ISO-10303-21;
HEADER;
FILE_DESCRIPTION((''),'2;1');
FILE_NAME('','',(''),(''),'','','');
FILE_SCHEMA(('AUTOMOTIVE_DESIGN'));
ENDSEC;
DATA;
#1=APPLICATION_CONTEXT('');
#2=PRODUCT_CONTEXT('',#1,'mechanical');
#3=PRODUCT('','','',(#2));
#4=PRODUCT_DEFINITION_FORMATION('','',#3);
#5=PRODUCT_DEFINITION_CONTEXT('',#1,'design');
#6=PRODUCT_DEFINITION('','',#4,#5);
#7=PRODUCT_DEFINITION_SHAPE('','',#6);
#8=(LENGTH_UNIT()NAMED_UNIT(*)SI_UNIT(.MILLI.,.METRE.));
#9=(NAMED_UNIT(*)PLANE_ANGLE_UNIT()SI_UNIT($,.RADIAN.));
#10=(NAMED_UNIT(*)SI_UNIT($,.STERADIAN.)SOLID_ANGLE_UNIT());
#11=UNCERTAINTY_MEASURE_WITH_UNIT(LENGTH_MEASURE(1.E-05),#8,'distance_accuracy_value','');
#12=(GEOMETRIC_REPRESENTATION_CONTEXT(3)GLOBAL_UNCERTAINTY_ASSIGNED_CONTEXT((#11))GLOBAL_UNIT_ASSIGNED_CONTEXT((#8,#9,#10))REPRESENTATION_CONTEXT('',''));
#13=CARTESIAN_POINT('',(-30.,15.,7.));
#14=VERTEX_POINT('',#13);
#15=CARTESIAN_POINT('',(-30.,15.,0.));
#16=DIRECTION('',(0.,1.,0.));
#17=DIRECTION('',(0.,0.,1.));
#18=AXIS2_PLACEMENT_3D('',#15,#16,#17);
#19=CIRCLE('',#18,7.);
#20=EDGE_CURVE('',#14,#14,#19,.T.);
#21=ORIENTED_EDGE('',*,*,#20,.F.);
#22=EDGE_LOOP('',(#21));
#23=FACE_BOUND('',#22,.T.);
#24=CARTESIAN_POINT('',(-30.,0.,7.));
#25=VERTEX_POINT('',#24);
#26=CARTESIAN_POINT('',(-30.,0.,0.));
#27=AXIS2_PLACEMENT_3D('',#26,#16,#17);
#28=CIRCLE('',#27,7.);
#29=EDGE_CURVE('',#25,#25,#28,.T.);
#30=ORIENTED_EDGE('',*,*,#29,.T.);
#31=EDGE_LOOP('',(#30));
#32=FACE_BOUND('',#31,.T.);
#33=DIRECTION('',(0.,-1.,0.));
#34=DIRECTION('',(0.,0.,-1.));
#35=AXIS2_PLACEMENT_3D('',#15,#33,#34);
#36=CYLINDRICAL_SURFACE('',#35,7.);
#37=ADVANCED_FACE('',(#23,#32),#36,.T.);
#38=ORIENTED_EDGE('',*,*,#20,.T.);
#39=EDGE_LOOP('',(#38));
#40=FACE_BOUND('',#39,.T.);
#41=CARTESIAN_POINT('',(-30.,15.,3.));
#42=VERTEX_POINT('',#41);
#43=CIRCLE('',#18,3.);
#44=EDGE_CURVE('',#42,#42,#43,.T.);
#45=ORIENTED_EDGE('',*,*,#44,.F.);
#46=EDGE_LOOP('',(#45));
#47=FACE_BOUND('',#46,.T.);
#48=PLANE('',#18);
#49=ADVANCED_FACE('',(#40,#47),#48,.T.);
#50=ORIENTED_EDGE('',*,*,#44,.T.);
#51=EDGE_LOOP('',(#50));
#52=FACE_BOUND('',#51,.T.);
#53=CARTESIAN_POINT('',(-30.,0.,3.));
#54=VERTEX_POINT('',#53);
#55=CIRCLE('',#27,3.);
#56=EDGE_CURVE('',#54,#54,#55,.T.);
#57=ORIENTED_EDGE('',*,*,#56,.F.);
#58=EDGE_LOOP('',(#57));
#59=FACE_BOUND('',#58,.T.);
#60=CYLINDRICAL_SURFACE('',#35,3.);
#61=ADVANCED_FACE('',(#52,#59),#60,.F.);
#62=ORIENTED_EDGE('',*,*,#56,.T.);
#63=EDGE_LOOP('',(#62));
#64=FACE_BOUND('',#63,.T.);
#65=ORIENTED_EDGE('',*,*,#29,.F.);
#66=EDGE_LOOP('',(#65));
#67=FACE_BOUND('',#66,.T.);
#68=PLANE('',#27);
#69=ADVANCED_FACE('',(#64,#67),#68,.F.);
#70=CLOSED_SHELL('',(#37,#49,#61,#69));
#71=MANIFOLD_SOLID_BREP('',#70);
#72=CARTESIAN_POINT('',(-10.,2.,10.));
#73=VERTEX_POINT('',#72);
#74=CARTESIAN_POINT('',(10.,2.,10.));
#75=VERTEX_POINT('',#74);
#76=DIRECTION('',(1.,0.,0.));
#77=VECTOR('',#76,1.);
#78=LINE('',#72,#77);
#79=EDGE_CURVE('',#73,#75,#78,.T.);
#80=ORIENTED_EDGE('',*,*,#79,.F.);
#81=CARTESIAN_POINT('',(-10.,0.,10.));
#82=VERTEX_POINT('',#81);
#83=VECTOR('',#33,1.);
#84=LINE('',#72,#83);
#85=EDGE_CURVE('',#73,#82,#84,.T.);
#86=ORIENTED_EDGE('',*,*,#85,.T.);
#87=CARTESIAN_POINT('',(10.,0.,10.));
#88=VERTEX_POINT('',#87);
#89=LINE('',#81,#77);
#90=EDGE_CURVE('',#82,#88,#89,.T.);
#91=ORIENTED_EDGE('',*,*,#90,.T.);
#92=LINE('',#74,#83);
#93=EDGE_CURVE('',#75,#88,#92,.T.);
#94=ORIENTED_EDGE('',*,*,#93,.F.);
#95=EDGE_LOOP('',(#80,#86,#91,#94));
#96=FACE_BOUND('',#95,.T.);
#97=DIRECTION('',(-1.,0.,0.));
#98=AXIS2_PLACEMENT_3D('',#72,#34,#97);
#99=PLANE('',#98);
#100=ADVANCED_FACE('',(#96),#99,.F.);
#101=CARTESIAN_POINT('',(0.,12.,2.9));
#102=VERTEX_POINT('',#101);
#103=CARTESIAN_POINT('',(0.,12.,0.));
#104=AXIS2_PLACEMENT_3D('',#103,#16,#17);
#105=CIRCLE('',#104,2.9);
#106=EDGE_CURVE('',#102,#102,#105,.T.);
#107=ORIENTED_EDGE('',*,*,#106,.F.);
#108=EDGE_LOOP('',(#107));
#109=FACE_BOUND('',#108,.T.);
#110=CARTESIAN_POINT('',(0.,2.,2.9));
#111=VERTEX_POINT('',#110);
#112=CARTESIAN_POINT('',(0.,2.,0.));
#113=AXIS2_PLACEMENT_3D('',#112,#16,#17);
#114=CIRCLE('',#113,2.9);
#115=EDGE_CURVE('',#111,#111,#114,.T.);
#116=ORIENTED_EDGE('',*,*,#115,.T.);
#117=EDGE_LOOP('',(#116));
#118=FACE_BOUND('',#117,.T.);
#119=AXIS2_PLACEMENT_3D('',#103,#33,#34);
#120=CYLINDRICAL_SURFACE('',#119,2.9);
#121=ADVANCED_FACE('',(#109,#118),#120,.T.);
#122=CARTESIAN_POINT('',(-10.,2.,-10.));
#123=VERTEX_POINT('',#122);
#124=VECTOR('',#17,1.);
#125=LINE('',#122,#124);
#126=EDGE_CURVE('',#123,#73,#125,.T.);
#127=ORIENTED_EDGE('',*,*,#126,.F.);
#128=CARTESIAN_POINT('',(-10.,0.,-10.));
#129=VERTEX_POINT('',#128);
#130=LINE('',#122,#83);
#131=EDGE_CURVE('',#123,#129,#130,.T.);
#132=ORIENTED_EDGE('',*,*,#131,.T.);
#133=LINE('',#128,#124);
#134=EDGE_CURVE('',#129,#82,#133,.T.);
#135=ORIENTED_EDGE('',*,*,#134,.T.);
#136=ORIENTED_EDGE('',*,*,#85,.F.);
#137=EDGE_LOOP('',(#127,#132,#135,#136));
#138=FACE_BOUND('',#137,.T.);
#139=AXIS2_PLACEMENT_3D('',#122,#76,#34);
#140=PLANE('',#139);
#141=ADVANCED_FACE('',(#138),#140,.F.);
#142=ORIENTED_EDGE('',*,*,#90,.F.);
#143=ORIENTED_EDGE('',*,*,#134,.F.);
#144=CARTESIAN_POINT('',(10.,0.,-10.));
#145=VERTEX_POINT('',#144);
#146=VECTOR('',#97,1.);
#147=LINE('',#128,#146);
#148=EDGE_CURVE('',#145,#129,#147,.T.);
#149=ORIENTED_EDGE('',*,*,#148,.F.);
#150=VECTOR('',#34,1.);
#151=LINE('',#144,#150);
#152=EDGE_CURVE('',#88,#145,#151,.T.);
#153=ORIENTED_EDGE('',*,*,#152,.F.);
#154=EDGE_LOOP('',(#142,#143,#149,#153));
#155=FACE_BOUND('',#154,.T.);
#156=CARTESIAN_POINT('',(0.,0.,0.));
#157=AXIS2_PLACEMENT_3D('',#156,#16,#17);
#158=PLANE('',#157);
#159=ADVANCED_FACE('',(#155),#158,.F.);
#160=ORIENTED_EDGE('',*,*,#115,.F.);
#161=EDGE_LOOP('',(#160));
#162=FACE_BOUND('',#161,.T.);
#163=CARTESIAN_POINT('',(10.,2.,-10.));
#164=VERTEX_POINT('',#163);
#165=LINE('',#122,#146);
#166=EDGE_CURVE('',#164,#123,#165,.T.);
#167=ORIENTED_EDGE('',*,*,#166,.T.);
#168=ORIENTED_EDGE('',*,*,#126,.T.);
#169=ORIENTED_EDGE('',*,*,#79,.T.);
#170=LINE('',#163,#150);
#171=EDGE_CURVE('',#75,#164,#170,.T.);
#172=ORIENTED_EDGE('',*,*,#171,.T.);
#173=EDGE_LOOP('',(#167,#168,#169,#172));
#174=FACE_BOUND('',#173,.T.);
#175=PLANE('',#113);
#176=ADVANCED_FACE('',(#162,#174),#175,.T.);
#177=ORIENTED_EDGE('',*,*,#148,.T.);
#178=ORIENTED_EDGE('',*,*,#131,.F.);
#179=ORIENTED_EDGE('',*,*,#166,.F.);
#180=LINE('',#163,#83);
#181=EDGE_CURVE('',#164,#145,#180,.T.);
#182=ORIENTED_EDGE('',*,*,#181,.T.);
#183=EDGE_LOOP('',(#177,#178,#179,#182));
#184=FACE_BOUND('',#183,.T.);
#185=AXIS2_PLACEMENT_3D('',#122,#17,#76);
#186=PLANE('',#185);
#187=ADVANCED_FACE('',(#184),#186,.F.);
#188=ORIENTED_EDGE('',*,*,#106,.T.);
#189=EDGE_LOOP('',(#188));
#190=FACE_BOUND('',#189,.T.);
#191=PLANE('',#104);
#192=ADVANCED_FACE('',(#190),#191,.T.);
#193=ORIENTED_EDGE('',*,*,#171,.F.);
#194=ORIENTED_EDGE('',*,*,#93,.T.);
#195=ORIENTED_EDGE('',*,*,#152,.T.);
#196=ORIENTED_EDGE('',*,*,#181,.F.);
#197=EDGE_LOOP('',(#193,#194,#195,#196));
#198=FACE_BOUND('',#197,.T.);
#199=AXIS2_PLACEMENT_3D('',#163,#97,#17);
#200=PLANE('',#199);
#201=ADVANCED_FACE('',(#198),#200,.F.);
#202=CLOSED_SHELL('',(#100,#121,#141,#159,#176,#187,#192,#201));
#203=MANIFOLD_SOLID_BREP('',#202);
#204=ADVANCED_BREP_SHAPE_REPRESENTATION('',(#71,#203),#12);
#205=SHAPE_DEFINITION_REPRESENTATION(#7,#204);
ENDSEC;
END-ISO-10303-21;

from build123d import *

# Parameters (mm, degrees)
SKETCH1_R           = 2.9
BOSS_EXTRUDE1_DEPTH = 12
SKETCH1_3_W         = 20
SKETCH1_3_H         = 20
SKETCH1_3_R         = 2.9
BOSS_EXTRUDE2_DEPTH = 2
SKETCH2_R           = 7
SKETCH2_R_2         = 3
BOSS_EXTRUDE3_DEPTH = 15


with BuildPart() as part:
    # Sketch1 → Boss-Extrude1 (new body)
    with BuildSketch(Plane(origin=(0, 0, 0), x_dir=(1, 0, 0), z_dir=(0, 1, 0))):
        Circle(SKETCH1_R)
    extrude(amount=BOSS_EXTRUDE1_DEPTH)

    # Sketch1<3> → Boss-Extrude2 (add)
    with BuildSketch(Plane(origin=(0, 0, 0), x_dir=(1, 0, 0), z_dir=(0, 1, 0))):
        Rectangle(SKETCH1_3_W, SKETCH1_3_H)
        Circle(SKETCH1_3_R, mode=Mode.SUBTRACT)
    extrude(amount=BOSS_EXTRUDE2_DEPTH)


with BuildPart() as body_2:
    # Sketch2 → Boss-Extrude3 (new body)
    with BuildSketch(Plane(origin=(0, 0, 0), x_dir=(1, 0, 0), z_dir=(0, 1, 0))):
        with Locations((-30, 0)):
            Circle(SKETCH2_R)
        with Locations((-30, 0)):
            Circle(SKETCH2_R_2, mode=Mode.SUBTRACT)
    extrude(amount=BOSS_EXTRUDE3_DEPTH)


solid = Compound([part.part, body_2.part])
